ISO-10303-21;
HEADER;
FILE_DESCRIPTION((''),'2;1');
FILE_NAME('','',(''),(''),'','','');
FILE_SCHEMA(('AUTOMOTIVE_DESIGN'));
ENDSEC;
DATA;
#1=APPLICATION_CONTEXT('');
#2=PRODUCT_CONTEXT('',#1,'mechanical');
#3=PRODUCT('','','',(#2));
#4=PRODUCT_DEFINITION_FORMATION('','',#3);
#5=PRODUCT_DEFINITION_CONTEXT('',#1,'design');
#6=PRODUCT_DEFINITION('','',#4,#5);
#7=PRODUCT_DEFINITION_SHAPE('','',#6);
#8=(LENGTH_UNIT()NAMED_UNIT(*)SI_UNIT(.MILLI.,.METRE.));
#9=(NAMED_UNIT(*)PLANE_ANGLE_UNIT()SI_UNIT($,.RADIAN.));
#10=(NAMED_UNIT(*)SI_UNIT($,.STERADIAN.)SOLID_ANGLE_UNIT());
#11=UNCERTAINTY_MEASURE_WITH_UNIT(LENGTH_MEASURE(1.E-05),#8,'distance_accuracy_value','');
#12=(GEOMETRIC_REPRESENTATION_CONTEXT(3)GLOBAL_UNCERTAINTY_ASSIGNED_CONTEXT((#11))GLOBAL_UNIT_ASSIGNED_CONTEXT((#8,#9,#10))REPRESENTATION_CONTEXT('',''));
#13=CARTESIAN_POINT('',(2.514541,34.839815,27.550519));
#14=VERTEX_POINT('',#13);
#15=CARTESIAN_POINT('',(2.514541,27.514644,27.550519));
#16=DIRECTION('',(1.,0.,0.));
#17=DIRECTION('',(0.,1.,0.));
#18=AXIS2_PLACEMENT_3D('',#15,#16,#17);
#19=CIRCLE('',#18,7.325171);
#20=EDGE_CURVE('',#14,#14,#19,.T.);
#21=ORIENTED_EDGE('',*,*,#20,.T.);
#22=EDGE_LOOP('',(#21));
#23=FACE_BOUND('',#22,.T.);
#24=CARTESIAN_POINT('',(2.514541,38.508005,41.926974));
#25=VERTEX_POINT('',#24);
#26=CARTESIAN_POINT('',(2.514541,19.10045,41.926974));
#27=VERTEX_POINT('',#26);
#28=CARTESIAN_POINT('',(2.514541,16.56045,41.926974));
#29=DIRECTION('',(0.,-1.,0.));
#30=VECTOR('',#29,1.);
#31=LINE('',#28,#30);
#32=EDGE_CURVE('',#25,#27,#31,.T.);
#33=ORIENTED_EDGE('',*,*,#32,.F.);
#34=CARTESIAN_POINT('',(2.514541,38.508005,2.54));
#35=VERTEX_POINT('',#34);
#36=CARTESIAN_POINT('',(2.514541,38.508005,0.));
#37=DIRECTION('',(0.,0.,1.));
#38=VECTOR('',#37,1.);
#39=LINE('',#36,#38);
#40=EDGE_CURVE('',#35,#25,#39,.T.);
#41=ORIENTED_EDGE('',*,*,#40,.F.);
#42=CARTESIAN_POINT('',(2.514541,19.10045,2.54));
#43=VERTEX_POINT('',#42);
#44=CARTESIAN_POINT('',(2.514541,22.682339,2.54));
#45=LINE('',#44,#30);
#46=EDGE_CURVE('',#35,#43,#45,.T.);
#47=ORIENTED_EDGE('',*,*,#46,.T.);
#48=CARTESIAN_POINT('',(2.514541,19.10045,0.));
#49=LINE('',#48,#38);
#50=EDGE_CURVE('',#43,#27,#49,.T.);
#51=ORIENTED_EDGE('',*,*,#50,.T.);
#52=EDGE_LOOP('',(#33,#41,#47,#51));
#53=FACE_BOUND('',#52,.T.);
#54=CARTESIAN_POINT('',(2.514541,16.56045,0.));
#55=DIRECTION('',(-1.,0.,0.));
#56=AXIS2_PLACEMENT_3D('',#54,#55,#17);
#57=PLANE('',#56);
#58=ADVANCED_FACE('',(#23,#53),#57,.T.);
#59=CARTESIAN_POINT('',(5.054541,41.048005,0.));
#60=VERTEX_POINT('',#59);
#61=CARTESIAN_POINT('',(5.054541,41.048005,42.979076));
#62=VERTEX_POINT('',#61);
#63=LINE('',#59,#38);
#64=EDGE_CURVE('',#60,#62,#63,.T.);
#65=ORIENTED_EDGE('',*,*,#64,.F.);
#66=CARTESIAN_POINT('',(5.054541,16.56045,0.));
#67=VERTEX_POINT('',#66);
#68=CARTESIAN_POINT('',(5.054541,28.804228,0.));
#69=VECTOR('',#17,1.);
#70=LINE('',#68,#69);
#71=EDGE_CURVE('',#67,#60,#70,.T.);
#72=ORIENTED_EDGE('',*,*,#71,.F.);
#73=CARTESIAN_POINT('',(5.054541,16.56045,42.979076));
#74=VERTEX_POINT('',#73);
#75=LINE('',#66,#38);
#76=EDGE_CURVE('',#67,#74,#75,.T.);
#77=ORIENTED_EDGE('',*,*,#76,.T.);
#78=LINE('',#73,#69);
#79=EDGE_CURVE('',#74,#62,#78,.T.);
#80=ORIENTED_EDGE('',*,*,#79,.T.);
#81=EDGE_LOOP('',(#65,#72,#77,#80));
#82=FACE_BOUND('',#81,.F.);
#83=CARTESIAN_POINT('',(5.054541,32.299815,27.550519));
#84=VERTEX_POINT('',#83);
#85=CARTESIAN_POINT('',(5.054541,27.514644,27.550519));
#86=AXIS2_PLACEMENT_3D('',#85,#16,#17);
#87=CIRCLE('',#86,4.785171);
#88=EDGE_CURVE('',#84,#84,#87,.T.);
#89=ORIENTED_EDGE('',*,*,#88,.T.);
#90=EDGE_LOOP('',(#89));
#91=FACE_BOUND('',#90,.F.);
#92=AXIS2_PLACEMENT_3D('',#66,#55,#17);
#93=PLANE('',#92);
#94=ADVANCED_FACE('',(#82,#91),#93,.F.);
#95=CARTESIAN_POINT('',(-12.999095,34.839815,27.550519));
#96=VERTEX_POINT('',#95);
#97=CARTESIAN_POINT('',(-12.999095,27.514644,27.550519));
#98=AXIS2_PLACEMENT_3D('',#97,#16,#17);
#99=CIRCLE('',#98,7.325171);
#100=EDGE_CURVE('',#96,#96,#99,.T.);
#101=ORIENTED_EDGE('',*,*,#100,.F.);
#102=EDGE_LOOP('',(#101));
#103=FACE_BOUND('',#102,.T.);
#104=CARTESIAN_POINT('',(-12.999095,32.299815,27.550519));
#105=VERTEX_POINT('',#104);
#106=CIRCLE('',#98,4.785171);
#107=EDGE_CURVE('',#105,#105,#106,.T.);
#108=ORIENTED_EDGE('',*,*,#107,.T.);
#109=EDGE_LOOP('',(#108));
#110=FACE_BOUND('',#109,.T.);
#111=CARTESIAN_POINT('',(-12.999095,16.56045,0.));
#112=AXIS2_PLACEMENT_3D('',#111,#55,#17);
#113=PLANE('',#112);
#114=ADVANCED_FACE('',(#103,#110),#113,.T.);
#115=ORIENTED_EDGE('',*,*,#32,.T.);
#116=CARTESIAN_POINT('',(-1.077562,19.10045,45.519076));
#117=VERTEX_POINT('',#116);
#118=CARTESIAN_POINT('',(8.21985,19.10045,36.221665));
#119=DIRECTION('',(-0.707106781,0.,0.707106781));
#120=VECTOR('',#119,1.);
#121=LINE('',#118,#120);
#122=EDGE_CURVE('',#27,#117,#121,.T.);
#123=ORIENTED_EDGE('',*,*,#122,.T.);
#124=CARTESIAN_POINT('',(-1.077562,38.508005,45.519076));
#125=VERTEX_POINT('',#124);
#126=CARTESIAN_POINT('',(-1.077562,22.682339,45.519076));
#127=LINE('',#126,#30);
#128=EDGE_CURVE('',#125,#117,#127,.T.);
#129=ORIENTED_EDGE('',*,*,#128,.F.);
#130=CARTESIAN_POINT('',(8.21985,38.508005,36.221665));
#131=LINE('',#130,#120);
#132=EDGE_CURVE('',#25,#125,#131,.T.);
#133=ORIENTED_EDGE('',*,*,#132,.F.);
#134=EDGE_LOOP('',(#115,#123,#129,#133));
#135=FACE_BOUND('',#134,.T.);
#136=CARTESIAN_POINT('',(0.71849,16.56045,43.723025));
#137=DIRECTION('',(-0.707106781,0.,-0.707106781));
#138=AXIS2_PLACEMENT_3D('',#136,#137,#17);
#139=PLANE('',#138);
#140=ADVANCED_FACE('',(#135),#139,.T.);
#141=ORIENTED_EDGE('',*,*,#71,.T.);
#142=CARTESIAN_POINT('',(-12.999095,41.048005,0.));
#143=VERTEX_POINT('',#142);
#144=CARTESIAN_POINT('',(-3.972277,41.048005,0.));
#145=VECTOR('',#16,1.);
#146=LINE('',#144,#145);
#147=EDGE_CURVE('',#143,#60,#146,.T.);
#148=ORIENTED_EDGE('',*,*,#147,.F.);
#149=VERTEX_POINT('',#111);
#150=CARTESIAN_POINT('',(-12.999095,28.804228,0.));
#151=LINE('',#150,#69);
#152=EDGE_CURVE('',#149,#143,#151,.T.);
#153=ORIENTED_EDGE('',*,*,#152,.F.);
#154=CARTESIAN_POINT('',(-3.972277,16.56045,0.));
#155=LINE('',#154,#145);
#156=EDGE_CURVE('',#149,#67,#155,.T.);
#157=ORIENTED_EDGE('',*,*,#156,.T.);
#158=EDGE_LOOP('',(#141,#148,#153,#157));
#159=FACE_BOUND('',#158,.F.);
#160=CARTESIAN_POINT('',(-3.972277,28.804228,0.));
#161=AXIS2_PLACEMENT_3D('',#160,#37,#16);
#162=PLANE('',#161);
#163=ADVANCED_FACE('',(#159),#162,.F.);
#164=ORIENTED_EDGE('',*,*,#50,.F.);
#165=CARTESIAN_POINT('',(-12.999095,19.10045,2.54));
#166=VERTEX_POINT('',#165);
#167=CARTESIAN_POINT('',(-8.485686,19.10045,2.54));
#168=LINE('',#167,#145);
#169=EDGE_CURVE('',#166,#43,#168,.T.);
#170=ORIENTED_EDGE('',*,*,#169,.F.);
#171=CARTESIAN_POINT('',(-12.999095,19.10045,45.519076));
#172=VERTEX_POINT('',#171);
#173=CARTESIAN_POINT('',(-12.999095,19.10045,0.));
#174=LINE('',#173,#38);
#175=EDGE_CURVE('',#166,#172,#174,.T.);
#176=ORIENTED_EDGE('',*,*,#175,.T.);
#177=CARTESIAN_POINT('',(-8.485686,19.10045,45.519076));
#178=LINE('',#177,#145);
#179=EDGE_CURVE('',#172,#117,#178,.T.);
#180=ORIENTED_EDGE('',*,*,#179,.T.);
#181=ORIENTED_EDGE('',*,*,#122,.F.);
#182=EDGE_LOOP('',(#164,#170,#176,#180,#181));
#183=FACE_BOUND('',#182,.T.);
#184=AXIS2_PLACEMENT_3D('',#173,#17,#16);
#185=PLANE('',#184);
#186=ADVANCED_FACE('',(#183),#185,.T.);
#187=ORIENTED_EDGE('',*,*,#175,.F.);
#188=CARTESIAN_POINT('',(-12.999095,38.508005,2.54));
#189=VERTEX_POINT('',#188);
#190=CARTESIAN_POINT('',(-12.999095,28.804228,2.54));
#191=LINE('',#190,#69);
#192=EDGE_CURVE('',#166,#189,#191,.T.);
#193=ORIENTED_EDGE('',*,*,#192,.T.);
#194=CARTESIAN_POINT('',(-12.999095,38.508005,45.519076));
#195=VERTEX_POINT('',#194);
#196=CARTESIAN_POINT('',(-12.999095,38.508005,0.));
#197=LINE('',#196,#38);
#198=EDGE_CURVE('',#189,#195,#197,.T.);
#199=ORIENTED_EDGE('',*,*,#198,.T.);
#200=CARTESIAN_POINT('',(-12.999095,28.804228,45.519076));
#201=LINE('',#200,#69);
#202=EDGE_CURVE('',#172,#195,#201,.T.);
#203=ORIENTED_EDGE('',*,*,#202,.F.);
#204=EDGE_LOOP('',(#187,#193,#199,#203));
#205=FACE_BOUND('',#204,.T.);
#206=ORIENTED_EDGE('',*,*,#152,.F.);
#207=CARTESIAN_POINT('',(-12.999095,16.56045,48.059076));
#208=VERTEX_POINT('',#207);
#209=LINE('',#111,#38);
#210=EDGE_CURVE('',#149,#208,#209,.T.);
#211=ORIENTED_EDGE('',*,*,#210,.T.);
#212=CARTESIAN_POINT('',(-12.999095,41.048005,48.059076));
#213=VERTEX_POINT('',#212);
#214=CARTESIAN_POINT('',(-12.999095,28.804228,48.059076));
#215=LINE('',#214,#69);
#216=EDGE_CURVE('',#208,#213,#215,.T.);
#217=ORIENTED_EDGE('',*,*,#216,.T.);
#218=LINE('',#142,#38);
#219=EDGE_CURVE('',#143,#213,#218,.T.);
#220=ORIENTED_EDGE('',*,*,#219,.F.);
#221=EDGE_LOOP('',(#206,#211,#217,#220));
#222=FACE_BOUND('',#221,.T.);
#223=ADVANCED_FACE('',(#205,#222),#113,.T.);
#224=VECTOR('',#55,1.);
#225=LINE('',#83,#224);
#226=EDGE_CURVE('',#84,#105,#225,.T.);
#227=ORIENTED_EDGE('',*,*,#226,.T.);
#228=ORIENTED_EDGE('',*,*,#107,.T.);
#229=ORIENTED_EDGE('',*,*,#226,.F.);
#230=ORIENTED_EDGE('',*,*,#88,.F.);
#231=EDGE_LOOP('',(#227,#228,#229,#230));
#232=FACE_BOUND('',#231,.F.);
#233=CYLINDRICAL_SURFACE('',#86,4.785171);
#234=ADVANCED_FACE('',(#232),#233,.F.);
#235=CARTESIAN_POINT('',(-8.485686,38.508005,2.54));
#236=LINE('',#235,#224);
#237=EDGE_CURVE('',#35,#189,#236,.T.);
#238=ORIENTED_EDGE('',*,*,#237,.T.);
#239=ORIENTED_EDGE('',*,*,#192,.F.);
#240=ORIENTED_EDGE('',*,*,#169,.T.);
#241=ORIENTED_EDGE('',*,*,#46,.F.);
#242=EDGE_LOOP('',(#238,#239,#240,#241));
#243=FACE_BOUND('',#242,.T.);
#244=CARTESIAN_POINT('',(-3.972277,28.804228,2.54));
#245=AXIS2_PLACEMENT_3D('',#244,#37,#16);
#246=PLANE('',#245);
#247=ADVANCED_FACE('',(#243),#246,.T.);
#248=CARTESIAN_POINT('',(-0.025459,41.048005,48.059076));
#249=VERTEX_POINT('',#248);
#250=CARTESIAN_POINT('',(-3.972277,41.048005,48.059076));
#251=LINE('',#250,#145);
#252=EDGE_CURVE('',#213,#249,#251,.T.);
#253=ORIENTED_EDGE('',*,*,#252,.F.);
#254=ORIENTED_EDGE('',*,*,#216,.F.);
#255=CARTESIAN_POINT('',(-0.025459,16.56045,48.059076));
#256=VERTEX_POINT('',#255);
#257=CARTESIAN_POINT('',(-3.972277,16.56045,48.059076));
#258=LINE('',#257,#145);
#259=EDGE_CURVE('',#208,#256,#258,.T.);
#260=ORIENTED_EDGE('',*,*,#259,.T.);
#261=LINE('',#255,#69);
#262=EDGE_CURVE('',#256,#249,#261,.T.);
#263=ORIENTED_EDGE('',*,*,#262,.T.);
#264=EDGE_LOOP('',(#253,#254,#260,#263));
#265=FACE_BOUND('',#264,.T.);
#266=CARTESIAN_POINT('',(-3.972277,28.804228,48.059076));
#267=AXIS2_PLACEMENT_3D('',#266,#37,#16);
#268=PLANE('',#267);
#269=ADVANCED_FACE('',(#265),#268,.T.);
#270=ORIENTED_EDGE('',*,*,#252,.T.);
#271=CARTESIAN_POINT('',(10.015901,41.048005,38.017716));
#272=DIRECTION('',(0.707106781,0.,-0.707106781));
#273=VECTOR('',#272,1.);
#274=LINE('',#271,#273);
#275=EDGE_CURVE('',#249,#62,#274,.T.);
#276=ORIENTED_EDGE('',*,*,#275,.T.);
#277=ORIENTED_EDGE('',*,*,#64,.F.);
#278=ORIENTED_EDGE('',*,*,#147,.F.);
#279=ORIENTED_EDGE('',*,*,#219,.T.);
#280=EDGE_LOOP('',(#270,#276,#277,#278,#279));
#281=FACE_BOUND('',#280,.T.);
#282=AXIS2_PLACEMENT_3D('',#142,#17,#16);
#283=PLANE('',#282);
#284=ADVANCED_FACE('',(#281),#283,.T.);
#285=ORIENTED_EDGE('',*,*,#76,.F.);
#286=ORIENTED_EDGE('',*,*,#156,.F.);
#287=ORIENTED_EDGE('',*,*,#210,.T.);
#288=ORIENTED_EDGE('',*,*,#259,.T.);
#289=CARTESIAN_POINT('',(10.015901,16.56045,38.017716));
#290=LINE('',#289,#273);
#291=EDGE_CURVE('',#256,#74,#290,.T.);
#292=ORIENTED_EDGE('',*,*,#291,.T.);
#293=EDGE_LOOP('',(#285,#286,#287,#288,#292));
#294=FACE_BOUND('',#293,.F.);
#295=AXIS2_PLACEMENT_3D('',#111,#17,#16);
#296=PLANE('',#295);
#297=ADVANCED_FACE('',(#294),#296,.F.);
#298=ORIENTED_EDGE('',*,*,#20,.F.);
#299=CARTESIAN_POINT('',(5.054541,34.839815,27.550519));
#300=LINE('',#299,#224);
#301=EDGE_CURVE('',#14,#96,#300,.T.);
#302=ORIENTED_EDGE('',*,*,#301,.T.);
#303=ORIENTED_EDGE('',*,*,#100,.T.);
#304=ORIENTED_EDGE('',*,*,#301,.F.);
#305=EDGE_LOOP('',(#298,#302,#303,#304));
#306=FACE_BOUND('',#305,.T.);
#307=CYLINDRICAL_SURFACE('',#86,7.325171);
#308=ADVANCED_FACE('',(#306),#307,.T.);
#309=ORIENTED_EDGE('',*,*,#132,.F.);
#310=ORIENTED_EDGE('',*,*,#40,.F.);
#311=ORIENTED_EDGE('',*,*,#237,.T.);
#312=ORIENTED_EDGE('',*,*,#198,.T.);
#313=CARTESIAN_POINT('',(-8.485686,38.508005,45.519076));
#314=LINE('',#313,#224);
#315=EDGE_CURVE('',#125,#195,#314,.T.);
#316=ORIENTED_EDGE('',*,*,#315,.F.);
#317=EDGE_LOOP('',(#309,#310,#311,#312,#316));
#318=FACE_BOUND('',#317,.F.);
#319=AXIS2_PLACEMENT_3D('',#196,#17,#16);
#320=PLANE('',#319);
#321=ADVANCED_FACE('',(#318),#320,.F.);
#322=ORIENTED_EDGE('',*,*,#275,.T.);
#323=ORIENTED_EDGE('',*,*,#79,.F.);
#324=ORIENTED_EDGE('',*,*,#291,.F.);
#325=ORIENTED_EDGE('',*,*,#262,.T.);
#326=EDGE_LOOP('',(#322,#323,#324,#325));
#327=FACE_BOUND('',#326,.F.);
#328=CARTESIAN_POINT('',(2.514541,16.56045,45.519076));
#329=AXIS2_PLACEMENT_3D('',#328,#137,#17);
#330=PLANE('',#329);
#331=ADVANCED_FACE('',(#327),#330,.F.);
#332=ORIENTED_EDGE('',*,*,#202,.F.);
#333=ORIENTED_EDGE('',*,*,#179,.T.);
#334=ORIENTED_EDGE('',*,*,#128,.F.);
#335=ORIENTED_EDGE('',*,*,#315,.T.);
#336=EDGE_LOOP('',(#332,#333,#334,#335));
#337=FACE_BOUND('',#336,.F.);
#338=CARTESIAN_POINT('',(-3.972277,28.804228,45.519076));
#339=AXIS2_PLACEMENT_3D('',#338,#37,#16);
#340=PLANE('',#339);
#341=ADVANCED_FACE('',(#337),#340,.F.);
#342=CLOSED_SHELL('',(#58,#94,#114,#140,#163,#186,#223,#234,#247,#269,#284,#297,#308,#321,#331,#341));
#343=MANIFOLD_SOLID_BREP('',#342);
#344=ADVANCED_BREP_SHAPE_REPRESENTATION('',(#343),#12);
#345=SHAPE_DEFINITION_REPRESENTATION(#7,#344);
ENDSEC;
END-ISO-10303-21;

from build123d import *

# Parameters (mm, degrees)
F0_W     = 18.0536359549
F0_H     = 24.487555027
F1_DEPTH = 48.0590760708
F2_R     = 4.7851705696
F3_DEPTH = 59.6192404628
F4_SIZE  = 5.08
F5_T     = -2.54


with BuildPart() as f1:
    # F0 (on Top) → F1 (new body)
    with BuildSketch(Plane.XY):
        with Locations((-3.9722770452, 28.8042277098)):
            Rectangle(F0_W, F0_H)
    extrude(amount=F1_DEPTH)

    # F2 (on face) → F3 (cut)
    with BuildSketch(Plane.YZ.offset(5.0545409322)):
        with Locations((27.5146439672, 27.5505185127)):
            Circle(F2_R)
    extrude(amount=-F3_DEPTH, mode=Mode.SUBTRACT)

    # F4
    f4_edges = [f1.edges().sort_by_distance(p)[0] for p in [
        (5.054541, 28.804228, 48.059076),
    ]]
    chamfer(f4_edges, length=F4_SIZE)

    # F5
    f5_openings = [f1.faces().sort_by_distance(p)[0] for p in [
        (-12.999095, 40.508625, 24.029538),
    ]]
    offset(amount=F5_T, openings=f5_openings)


solid = f1.part
